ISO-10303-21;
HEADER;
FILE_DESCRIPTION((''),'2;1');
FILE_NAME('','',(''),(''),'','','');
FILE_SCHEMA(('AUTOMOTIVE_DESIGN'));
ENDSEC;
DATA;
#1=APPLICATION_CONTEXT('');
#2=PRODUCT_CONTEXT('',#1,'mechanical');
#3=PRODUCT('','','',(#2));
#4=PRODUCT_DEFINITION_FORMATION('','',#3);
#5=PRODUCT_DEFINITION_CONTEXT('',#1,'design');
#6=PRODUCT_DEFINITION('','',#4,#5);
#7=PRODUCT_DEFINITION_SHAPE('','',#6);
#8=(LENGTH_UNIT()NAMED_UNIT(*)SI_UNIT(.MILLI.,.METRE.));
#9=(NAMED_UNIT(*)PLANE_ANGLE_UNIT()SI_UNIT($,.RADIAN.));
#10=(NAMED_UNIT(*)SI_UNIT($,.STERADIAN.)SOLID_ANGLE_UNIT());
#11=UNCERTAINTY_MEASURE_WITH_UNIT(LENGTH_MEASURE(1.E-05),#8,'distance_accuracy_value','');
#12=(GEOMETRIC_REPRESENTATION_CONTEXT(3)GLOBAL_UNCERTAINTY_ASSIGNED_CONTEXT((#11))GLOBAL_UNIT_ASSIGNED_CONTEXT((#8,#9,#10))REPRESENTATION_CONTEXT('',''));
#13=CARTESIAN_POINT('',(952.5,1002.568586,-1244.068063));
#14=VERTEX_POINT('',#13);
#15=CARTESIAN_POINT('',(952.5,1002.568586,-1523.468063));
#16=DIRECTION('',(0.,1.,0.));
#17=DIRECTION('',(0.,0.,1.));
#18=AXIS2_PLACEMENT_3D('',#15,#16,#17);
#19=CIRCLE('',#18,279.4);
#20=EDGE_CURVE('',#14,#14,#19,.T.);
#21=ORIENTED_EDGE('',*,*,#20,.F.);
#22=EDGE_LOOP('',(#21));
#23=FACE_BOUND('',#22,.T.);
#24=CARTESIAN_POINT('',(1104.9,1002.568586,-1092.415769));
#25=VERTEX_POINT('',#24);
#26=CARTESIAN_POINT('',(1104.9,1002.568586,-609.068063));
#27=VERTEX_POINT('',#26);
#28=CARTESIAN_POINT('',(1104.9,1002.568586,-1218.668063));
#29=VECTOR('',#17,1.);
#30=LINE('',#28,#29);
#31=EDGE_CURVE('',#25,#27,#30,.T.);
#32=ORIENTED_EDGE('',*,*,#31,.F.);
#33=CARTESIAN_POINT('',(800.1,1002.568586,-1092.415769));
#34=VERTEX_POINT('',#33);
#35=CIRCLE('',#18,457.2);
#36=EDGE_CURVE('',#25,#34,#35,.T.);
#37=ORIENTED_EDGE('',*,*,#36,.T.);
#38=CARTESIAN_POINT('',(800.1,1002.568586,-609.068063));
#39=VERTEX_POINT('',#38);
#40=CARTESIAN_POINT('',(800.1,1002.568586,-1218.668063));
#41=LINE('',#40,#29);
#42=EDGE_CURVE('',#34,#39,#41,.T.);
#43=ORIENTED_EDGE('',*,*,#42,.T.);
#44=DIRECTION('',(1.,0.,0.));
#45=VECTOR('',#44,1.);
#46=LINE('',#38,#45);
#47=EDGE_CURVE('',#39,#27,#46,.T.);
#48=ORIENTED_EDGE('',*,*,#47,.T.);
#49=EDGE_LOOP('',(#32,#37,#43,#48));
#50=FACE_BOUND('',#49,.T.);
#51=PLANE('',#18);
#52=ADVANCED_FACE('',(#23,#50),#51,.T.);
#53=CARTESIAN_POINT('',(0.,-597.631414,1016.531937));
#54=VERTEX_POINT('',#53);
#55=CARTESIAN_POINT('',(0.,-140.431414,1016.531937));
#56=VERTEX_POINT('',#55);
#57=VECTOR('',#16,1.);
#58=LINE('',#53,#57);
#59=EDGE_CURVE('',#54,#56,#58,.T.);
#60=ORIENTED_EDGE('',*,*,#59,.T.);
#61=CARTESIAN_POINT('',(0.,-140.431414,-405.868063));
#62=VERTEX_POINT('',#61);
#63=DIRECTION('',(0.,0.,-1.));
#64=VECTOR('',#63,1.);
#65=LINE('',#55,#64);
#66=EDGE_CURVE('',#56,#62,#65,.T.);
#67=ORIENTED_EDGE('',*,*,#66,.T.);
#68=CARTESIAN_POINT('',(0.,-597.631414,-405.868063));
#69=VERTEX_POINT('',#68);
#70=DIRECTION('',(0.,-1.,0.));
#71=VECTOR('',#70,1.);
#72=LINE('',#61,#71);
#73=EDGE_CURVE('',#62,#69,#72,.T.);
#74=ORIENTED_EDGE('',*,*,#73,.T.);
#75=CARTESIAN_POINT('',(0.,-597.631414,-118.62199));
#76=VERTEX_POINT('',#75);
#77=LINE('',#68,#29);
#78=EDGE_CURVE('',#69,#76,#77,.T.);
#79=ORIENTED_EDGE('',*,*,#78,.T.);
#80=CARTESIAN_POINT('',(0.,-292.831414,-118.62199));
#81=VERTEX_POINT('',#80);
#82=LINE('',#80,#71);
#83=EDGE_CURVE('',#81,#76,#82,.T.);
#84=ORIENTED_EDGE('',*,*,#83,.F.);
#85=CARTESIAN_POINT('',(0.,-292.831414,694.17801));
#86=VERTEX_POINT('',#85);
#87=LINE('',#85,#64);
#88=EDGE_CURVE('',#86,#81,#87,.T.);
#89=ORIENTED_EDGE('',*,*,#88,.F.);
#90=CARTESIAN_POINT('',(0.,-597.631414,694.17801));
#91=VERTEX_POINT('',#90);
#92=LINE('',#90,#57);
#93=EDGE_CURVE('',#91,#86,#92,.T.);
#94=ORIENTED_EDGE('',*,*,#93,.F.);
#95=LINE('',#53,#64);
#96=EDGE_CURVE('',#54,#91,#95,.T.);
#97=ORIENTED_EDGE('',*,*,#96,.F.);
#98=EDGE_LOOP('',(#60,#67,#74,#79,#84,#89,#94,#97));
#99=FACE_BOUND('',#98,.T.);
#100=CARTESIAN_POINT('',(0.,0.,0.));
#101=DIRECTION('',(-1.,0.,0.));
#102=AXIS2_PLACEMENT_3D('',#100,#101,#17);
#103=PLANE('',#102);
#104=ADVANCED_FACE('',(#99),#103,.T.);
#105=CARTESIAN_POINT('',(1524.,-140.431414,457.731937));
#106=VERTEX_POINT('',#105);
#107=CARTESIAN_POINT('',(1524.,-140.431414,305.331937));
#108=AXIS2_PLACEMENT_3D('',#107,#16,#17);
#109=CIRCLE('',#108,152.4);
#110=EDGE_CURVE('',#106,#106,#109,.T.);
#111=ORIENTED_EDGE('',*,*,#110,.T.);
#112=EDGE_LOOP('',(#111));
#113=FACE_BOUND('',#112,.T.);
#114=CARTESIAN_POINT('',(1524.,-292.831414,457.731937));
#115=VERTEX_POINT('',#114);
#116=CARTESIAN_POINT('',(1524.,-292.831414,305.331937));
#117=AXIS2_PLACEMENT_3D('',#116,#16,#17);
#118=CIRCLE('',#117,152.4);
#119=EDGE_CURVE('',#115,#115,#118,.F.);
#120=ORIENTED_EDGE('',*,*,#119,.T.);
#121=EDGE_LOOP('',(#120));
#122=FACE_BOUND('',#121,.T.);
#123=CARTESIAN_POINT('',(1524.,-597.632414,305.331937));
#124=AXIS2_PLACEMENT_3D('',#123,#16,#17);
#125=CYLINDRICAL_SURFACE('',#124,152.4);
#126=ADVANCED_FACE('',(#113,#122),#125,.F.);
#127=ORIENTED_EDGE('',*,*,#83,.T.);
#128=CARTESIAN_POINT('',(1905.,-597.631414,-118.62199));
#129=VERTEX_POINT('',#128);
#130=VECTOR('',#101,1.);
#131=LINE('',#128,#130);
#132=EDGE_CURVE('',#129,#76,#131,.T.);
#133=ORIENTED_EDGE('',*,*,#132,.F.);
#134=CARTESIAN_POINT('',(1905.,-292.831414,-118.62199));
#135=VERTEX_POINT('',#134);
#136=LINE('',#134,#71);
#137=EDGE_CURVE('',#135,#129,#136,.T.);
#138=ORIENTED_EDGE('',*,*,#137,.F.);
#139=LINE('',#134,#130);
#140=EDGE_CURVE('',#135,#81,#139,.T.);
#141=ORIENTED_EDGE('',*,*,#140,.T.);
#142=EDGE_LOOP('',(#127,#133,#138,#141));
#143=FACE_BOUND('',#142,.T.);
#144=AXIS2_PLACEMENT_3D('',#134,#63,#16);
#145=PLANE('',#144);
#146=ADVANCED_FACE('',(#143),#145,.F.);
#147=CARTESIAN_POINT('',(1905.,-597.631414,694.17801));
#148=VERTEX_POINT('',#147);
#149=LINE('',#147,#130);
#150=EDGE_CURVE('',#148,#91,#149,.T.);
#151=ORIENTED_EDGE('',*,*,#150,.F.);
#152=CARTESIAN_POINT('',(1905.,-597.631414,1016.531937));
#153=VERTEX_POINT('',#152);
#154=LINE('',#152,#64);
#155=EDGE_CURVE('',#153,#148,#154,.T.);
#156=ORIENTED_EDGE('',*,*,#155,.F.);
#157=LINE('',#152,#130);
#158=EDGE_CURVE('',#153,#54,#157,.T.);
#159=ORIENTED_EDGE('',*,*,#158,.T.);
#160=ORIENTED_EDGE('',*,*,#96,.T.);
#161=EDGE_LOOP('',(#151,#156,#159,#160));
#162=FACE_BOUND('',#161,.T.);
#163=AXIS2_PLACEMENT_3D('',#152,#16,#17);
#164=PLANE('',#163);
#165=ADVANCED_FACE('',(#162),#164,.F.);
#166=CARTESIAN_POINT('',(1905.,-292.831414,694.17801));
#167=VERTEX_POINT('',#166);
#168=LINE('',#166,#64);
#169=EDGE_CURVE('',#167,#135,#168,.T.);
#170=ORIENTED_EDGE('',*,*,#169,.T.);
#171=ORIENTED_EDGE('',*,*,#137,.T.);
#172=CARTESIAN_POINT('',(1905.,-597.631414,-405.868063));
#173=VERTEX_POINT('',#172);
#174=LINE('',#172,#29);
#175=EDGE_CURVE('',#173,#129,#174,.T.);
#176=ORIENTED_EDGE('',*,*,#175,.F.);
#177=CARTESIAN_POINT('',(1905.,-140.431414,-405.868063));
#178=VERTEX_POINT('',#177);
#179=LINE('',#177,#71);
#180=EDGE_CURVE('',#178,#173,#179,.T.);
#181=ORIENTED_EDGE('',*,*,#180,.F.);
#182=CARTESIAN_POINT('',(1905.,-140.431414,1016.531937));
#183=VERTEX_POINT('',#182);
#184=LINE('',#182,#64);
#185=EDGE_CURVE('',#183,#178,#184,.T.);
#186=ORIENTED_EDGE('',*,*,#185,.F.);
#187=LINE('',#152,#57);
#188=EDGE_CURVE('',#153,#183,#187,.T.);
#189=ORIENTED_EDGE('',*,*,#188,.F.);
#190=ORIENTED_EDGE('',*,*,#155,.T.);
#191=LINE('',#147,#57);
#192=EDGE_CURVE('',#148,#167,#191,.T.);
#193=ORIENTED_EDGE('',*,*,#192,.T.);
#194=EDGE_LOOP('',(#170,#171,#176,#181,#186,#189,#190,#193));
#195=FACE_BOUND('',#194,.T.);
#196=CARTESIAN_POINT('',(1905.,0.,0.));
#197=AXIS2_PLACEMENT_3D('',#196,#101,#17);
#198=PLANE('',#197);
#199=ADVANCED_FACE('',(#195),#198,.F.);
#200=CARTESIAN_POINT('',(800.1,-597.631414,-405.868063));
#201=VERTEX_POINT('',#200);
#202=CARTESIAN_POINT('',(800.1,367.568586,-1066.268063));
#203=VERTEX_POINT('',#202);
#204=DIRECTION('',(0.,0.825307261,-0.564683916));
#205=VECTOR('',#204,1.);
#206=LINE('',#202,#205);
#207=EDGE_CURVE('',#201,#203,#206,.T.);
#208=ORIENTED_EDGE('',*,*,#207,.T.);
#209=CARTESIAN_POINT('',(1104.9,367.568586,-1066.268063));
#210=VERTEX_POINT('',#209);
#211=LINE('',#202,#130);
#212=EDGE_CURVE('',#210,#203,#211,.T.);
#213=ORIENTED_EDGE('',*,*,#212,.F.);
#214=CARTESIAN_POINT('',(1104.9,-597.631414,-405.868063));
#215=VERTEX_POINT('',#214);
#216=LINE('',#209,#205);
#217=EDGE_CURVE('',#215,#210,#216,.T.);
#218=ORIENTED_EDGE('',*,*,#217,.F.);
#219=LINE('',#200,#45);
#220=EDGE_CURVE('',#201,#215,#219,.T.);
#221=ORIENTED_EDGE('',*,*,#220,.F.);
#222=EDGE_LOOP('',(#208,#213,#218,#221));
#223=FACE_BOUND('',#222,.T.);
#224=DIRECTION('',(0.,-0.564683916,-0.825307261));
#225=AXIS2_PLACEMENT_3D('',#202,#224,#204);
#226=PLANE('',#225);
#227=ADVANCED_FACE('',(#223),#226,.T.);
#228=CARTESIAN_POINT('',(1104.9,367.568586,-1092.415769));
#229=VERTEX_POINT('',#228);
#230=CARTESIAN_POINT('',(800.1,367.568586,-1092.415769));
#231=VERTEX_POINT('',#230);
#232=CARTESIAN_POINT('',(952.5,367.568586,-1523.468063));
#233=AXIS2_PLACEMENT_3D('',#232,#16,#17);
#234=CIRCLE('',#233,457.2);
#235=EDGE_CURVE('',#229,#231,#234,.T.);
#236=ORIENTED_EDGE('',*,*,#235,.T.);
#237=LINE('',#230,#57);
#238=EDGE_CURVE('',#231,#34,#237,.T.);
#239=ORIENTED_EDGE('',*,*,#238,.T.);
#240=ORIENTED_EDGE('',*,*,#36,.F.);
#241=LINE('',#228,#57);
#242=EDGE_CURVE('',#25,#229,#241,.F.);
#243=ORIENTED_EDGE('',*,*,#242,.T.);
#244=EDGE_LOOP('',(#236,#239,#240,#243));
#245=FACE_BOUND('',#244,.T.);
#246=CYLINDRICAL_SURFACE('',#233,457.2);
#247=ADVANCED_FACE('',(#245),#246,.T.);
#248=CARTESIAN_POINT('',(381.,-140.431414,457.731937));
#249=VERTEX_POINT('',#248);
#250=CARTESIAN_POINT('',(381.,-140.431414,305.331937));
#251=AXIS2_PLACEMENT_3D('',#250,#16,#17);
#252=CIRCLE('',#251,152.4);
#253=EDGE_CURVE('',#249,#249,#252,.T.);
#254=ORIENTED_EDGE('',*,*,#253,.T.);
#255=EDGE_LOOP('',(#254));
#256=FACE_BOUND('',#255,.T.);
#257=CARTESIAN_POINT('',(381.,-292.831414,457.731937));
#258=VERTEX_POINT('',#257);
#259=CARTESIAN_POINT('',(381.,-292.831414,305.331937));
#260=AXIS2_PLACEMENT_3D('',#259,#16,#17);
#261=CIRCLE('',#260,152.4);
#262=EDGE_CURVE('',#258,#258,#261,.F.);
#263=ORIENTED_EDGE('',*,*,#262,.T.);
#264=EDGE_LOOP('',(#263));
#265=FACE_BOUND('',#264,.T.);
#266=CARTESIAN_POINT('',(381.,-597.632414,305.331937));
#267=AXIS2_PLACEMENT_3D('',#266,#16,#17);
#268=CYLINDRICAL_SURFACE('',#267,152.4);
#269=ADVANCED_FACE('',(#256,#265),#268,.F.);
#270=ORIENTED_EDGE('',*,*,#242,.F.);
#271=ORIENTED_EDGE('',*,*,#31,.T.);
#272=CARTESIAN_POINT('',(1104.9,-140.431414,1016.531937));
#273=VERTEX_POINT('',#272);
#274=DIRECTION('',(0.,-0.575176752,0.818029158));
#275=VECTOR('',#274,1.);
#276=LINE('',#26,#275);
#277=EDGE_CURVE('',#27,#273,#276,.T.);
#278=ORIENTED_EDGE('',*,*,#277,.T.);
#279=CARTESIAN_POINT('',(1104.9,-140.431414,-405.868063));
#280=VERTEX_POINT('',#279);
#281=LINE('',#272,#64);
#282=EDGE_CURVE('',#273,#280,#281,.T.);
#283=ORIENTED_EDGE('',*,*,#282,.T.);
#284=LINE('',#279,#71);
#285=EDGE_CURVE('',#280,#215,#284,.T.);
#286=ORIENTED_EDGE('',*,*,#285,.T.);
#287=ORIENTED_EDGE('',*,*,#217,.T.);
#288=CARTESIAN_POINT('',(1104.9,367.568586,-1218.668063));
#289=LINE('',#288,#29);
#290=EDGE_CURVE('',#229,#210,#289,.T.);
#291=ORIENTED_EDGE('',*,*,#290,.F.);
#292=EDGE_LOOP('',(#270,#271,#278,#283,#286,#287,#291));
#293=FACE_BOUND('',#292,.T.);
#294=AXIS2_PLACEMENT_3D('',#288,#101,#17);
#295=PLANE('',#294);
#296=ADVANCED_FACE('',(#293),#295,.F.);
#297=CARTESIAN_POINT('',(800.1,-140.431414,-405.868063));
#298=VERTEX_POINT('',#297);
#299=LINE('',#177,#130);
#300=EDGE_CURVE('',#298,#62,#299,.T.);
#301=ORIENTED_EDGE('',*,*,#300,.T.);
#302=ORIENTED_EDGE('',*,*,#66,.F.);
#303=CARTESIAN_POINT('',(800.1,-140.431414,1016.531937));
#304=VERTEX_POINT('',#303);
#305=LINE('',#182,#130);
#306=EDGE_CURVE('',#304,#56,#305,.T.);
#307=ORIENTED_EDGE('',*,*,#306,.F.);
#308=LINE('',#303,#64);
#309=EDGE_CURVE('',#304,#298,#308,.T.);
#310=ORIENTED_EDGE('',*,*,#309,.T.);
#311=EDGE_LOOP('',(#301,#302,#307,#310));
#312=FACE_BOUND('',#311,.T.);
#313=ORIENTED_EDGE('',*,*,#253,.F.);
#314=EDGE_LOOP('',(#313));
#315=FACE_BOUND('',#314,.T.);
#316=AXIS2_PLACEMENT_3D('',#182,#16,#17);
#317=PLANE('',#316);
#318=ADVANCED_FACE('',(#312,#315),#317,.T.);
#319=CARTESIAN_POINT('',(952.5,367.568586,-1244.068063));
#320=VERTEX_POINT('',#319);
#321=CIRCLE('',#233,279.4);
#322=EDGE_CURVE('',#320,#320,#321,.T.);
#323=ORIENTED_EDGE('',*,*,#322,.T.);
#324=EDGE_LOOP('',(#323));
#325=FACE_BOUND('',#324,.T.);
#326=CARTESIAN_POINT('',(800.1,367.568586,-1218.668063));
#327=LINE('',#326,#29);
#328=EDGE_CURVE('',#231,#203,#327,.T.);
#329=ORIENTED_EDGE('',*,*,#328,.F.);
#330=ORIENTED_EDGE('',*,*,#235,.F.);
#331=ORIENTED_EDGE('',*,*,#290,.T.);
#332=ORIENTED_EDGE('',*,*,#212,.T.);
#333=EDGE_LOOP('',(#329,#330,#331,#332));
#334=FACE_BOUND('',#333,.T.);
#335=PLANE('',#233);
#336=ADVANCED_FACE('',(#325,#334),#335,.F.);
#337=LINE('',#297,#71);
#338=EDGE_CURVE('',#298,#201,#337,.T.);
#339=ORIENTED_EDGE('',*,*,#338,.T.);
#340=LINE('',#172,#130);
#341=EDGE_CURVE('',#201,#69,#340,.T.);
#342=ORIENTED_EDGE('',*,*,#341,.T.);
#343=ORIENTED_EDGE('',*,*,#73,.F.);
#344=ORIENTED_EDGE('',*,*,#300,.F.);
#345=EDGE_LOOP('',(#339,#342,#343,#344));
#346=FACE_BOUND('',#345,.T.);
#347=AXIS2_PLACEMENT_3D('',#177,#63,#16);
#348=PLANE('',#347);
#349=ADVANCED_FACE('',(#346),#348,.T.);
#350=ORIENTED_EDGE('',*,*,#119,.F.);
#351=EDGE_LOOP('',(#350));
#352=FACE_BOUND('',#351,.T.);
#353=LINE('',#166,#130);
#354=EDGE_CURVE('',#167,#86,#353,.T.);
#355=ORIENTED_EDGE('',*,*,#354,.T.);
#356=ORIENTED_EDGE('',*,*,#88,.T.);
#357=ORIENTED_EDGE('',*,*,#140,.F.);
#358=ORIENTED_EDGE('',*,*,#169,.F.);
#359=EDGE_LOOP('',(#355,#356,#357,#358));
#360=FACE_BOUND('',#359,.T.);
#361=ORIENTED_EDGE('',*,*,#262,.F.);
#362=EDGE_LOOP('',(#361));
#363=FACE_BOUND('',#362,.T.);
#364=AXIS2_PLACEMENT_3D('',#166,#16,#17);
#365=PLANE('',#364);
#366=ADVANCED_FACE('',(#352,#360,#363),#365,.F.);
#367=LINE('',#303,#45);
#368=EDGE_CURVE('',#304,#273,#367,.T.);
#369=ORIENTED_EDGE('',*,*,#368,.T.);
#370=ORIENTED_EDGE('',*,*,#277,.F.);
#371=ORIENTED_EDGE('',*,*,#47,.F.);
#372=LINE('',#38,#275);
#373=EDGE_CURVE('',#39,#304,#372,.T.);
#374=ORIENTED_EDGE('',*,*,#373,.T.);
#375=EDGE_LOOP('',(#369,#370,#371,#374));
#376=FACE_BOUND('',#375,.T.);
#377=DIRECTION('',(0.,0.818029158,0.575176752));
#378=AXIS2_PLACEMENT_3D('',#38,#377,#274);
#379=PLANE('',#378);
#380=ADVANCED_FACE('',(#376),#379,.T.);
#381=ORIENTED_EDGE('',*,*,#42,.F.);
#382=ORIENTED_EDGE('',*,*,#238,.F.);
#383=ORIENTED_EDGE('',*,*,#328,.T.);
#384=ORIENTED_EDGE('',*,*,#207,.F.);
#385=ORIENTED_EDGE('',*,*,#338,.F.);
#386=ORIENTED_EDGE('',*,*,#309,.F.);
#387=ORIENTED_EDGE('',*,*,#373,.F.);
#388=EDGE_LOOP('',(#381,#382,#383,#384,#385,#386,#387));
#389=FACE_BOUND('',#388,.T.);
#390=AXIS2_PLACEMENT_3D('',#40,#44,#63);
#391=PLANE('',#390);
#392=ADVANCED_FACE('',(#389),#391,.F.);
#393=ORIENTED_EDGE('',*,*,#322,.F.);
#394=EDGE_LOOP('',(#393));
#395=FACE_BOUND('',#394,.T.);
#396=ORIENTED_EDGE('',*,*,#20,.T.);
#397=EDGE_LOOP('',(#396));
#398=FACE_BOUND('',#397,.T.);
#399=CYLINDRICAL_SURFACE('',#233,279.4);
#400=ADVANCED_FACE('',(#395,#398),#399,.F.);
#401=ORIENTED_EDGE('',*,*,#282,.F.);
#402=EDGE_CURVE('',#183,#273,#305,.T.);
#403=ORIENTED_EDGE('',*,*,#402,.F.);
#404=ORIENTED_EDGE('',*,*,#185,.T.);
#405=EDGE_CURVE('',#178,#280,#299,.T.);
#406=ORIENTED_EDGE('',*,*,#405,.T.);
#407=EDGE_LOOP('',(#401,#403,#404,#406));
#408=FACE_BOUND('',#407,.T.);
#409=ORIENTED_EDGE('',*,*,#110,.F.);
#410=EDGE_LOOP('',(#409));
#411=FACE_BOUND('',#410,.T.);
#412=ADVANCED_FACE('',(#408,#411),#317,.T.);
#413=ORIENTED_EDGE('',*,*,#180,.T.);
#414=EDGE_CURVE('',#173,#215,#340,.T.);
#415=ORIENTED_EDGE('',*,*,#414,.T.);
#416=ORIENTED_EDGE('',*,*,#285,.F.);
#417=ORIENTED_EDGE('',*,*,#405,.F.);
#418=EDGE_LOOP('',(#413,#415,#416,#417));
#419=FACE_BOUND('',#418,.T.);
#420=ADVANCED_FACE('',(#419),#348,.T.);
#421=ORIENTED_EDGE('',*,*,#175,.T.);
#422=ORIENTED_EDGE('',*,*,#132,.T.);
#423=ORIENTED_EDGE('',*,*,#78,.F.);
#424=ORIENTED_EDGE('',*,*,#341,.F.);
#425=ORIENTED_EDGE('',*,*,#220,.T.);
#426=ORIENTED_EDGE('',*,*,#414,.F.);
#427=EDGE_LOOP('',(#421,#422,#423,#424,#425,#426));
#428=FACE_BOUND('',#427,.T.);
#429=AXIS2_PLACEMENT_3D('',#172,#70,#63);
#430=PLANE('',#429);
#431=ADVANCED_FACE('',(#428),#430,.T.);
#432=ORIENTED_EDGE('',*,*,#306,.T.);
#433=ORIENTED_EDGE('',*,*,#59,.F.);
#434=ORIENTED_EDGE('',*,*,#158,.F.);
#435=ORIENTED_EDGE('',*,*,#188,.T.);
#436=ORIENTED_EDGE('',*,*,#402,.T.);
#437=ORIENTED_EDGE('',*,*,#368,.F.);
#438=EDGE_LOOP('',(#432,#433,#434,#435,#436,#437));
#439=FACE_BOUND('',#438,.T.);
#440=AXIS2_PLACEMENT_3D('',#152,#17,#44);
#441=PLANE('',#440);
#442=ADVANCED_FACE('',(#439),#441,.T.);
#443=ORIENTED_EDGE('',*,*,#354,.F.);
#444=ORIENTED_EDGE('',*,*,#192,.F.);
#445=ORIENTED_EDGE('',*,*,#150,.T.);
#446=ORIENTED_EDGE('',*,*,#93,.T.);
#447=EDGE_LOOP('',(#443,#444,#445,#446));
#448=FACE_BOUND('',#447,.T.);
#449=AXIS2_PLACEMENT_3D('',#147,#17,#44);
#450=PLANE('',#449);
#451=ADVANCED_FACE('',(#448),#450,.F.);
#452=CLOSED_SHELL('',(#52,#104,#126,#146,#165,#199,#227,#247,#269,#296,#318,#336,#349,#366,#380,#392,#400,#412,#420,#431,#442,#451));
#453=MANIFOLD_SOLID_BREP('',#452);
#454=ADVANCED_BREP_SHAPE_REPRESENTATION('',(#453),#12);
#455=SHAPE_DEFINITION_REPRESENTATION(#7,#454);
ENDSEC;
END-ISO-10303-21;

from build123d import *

# Parameters (mm, degrees)
BOSS_EXTRUDE1_DEPTH      = 1905
SKETCH6_R                = 457.2
SKETCH6_R_2              = 279.4
BOSS_EXTRUDE2_DEPTH      = 635
BOSS_EXTRUDE3_DEPTH      = 152.4
BOSS_EXTRUDE3_DEPTH_BACK = 152.4
SKETCH11_R               = 152.4
CUT_EXTRUDE1_DEPTH       = 152.4
SKETCH12_W               = 304.8
SKETCH12_H               = 635
BOSS_EXTRUDE6_DEPTH      = 152.4


with BuildPart() as part:
    # Sketch1 → Boss-Extrude1 (new body)
    with BuildSketch(Plane(origin=(0, 0, 0), x_dir=(0, 0, -1), z_dir=(1, 0, 0))):
        Polygon((-1016.531937173, -597.631413613), (-694.178010471, -597.631413613), (-694.178010471, -292.831413613), (118.621989529, -292.831413613), (118.621989529, -597.631413613), (405.868062827, -597.631413613), (405.868062827, -140.431413613), (-1016.531937173, -140.431413613), align=None)
    extrude(amount=BOSS_EXTRUDE1_DEPTH)

    # Sketch10 → Boss-Extrude3 (add, two sides)
    with BuildSketch(Plane(origin=(952.5, 0, 0), x_dir=(0, 0, -1), z_dir=(1, 0, 0))) as boss_extrude3_sk:
        Polygon((609.068062827, 1002.568586387), (-1016.531937173, -140.431413613), (405.868062827, -140.431413613), (405.868062827, -597.631413613), (1066.268062827, 367.568586387), (1066.268062827, 1002.568586387), align=None)
    extrude(amount=BOSS_EXTRUDE3_DEPTH)
    extrude(boss_extrude3_sk.sketch, amount=-BOSS_EXTRUDE3_DEPTH_BACK)

    # Sketch11 → Cut-Extrude1 (cut)
    with BuildSketch(Plane(origin=(0, -140.431413613, 0), x_dir=(1, 0, 0), z_dir=(0, 1, 0))):
        with Locations((1524, -305.331937173)):
            Circle(SKETCH11_R)
        with Locations((381, -305.331937173)):
            Circle(SKETCH11_R)
    extrude(amount=-CUT_EXTRUDE1_DEPTH, mode=Mode.SUBTRACT)



with BuildPart() as body_2:
    # Sketch6 → Boss-Extrude2 (new body)
    with BuildSketch(Plane(origin=(0, 1002.568586387, 0), x_dir=(1, 0, 0), z_dir=(0, 1, 0))):
        with Locations((952.5, 1523.468062827)):
            Circle(SKETCH6_R)
        with Locations((952.5, 1523.468062827)):
            Circle(SKETCH6_R_2, mode=Mode.SUBTRACT)
    extrude(amount=-BOSS_EXTRUDE2_DEPTH)


with BuildPart() as part_1:
    add(part.part)

    add(body_2.part)  # Boss-Extrude6 merges body 2
    # Sketch12 → Boss-Extrude6 (add)
    with BuildSketch(Plane(origin=(0, 0, -1066.268062827), x_dir=(-1, 0, 0), z_dir=(0, 0, -1))):
        with Locations((-952.5, 685.068586387)):
            Rectangle(SKETCH12_W, SKETCH12_H)
    extrude(amount=BOSS_EXTRUDE6_DEPTH)


solid = part_1.part
